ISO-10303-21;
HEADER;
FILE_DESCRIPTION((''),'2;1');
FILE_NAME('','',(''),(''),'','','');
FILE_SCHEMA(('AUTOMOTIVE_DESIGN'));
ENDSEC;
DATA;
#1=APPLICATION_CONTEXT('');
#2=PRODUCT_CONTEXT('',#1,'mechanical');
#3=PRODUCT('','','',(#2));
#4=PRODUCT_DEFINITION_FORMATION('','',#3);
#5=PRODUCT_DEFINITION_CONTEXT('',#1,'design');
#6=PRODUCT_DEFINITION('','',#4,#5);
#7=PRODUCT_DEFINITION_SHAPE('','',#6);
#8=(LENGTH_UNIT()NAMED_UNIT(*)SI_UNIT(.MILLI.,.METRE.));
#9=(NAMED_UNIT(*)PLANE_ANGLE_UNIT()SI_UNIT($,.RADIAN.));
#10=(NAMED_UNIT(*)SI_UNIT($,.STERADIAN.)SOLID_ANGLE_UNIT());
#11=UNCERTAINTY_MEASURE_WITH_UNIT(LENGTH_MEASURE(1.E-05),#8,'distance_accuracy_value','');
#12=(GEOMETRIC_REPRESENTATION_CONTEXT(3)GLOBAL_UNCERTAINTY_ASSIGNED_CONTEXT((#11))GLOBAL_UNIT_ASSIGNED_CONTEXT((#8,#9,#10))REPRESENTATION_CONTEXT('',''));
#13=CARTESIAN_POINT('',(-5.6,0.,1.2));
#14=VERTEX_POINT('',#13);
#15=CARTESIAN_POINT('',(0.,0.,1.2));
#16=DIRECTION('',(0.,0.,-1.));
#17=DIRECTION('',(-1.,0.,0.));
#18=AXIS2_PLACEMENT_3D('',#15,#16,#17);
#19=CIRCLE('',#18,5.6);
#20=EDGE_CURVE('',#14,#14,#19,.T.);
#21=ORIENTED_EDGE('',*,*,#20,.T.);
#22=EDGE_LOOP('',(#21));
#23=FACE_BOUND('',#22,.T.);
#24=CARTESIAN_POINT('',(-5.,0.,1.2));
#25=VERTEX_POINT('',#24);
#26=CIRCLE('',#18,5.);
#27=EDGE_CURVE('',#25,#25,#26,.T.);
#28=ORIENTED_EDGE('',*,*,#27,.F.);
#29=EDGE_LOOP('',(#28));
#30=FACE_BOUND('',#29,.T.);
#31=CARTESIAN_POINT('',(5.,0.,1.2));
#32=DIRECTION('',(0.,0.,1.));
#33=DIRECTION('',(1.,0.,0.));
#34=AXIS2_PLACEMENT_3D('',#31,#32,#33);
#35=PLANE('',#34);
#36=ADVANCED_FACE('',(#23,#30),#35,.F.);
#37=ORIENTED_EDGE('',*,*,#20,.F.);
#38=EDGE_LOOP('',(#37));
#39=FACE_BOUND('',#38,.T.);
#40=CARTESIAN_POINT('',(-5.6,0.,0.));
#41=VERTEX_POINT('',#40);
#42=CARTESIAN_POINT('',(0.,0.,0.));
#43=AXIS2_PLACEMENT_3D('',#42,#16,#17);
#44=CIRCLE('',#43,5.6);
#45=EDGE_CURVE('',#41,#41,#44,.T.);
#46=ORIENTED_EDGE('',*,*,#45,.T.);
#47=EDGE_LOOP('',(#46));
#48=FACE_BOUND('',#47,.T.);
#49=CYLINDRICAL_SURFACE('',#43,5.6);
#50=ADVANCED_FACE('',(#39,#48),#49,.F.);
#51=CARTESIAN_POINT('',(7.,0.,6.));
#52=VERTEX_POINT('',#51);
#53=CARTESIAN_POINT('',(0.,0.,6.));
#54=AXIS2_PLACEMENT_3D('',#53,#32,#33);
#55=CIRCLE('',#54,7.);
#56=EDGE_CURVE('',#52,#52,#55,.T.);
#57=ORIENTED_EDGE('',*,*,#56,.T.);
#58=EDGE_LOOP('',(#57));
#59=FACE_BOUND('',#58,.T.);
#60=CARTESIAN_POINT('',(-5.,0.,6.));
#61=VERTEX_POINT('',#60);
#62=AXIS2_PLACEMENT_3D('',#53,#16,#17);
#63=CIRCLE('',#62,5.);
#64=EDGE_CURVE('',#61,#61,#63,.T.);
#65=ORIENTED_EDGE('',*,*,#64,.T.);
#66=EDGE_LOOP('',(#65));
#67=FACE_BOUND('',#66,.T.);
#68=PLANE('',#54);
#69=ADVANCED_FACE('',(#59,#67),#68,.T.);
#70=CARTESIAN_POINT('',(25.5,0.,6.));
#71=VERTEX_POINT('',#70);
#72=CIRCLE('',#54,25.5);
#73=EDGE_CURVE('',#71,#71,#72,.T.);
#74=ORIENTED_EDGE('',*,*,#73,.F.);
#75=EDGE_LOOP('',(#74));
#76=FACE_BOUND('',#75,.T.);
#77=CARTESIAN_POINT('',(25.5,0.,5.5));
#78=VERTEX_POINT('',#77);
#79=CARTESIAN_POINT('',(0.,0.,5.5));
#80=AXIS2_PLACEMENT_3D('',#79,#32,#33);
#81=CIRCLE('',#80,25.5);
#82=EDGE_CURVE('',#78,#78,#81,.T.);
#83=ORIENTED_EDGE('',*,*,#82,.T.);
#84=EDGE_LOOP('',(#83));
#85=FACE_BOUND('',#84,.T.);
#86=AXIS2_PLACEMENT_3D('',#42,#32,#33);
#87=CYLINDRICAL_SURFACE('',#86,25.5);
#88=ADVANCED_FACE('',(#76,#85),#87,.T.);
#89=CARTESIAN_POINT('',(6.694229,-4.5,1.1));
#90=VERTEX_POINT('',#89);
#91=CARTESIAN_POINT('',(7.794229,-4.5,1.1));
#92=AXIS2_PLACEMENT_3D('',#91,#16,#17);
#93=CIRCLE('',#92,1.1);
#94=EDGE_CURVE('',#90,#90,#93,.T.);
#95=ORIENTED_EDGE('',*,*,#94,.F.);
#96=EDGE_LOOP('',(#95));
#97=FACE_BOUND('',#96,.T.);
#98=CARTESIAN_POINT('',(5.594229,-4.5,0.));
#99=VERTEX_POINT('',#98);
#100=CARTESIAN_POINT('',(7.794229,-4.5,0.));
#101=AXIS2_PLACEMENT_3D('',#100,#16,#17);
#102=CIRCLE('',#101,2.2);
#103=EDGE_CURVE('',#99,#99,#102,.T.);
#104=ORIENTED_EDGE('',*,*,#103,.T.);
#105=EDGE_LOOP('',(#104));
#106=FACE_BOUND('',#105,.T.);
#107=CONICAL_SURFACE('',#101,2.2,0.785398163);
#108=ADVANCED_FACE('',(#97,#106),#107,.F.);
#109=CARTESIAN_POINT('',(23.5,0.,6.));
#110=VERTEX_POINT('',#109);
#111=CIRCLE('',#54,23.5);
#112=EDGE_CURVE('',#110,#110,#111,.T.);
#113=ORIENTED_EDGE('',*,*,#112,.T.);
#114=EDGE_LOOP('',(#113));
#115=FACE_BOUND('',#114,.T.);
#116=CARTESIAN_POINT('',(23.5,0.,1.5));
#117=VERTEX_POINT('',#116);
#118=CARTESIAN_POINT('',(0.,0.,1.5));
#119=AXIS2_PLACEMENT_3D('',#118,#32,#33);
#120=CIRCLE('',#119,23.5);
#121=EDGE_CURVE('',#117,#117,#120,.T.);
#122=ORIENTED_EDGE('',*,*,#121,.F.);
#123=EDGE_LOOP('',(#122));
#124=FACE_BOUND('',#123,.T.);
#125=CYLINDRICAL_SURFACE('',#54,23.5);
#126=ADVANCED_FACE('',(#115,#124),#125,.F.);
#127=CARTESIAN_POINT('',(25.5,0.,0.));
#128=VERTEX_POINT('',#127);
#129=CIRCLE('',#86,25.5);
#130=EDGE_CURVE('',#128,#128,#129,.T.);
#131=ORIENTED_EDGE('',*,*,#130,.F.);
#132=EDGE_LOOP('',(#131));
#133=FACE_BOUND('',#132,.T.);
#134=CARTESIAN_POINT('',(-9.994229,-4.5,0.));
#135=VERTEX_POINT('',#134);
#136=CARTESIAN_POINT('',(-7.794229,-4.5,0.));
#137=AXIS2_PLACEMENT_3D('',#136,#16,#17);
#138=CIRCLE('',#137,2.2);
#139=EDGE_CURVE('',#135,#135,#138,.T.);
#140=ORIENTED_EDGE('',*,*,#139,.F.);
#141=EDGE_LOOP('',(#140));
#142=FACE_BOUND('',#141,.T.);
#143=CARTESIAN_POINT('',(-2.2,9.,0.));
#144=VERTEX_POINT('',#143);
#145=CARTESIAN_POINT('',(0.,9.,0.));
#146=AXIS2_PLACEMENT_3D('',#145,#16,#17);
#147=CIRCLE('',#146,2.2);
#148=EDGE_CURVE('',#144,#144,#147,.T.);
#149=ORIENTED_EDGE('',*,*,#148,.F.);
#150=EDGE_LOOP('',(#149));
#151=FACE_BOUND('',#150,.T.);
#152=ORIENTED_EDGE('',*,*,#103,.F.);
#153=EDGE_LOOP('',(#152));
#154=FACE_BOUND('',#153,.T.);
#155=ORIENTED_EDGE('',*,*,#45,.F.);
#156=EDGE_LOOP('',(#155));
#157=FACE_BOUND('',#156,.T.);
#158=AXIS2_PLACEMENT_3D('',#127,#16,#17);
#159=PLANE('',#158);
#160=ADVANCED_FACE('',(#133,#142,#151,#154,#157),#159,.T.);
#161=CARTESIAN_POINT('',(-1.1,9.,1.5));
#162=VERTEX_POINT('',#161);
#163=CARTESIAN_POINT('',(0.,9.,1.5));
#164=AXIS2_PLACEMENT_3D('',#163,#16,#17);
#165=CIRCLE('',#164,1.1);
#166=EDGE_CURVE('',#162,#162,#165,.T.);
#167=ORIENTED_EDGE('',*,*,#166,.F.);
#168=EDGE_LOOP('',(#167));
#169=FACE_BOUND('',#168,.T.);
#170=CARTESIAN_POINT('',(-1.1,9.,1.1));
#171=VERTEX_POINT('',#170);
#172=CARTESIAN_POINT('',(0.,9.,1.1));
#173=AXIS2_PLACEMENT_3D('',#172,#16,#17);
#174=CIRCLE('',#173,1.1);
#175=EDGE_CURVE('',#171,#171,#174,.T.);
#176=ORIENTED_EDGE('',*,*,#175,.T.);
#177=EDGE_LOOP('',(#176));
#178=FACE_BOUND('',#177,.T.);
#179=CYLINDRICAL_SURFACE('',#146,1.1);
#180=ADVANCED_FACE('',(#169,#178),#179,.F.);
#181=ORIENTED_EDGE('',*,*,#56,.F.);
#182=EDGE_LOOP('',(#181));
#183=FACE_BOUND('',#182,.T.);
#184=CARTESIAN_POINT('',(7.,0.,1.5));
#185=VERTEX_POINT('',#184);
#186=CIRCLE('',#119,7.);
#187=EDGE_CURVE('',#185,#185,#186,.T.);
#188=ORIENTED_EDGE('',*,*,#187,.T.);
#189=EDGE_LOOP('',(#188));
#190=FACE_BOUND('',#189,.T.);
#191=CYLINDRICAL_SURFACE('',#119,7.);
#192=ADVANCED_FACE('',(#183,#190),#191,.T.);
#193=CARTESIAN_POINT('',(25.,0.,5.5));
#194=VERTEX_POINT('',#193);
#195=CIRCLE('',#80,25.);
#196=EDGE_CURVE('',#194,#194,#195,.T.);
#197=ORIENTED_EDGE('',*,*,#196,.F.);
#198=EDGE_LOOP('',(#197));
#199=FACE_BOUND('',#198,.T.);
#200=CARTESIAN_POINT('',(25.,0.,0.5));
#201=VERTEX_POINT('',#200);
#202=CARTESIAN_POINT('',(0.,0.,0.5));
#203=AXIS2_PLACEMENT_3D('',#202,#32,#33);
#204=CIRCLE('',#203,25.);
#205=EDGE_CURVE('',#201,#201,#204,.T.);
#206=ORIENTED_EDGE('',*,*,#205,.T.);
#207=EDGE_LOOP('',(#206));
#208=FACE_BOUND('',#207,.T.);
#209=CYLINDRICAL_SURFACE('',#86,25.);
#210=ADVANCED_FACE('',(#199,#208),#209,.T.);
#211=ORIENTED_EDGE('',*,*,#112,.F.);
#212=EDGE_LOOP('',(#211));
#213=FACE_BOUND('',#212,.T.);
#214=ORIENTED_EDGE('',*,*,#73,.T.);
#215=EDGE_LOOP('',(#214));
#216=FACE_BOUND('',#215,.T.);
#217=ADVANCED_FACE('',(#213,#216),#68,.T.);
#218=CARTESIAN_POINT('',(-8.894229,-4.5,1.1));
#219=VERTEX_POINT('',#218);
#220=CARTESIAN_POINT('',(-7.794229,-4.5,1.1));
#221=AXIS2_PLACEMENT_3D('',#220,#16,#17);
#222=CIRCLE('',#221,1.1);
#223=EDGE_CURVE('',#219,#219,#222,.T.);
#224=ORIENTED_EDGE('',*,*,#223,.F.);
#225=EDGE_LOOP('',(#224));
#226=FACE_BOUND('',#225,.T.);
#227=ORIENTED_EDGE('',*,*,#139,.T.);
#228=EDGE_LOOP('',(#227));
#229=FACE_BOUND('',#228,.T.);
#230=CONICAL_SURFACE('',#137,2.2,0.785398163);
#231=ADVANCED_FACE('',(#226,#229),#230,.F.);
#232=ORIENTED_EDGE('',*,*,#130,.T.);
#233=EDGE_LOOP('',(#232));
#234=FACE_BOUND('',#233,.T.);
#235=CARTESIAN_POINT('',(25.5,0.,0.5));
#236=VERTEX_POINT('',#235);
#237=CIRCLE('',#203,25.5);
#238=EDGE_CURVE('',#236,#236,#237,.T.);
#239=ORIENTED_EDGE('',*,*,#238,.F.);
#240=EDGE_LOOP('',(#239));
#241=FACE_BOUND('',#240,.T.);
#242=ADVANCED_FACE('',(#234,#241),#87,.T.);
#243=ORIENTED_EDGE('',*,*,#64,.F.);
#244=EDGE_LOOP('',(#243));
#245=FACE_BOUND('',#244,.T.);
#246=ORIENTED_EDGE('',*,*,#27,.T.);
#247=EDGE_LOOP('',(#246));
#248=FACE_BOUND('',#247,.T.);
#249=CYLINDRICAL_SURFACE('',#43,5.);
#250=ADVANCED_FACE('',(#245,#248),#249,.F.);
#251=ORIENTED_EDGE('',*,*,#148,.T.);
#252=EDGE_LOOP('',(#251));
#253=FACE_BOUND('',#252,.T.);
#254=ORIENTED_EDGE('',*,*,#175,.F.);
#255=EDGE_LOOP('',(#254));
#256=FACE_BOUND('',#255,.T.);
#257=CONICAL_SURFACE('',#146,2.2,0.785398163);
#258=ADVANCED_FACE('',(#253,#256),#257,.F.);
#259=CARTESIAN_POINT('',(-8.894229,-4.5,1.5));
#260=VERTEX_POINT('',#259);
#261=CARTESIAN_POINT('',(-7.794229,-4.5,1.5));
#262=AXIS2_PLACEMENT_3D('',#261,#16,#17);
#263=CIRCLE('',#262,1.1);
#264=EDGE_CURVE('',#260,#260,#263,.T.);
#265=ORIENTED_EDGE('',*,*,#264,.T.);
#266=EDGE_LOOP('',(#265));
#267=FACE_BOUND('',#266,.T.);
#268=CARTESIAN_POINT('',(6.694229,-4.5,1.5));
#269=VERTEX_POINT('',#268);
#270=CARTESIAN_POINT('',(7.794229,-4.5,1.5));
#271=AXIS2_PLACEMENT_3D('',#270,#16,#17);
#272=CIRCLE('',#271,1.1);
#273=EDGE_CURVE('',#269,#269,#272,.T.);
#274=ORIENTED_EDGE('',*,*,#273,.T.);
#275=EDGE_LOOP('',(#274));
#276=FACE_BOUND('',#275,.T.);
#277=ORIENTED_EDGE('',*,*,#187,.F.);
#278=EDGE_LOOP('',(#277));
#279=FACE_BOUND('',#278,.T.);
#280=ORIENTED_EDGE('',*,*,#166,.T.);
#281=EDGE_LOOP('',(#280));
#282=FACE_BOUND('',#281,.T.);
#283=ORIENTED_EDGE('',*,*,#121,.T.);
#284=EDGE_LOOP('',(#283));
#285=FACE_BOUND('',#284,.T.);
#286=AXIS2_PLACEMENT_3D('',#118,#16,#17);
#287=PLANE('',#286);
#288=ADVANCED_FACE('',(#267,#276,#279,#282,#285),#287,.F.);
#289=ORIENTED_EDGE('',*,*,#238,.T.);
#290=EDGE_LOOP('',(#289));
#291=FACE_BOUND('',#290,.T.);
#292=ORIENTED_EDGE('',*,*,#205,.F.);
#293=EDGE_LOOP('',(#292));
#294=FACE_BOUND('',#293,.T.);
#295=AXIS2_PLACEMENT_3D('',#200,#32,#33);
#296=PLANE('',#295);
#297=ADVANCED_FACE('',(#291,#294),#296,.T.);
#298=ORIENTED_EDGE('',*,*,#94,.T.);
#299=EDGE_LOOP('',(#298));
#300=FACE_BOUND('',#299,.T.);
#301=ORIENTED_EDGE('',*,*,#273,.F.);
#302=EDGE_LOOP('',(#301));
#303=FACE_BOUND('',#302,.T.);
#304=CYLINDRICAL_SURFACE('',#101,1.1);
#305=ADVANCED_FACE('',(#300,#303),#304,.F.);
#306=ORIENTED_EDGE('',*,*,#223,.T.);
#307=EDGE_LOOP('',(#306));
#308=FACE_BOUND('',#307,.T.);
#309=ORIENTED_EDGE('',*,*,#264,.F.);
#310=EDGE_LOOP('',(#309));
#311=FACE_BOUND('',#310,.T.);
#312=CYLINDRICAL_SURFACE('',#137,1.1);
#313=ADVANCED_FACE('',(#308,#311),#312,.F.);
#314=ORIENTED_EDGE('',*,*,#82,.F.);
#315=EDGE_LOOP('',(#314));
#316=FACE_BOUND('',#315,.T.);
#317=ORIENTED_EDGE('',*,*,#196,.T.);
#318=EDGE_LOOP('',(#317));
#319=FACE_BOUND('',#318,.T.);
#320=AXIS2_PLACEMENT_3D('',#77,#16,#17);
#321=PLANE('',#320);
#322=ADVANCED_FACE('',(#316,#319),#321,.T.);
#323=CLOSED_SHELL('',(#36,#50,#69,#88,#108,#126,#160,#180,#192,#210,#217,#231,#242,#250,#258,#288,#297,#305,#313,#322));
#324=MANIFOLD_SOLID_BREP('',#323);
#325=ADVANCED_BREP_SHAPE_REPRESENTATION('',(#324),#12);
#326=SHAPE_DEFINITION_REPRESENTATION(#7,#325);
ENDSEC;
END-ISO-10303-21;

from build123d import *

# Parameters (mm, degrees)
M42_CLEARANCE_HOLE1_D                           = 47
M42_CLEARANCE_HOLE1_DEPTH                       = 4.5
SKETCH4_W                                       = 7
SKETCH4_H                                       = 4.5
CSK_FOR_M2_FLAT_HEAD_MACHINE_SCREW1_D           = 2.2
CSK_FOR_M2_FLAT_HEAD_MACHINE_SCREW1_DEPTH       = 6
CSK_FOR_M2_FLAT_HEAD_MACHINE_SCREW1_CSINK_D     = 4.4
CSK_FOR_M2_FLAT_HEAD_MACHINE_SCREW1_CSINK_ANGLE = 90
CBORE_FOR_M8_HEX_HEAD_BOLT1_D                   = 10
CBORE_FOR_M8_HEX_HEAD_BOLT1_DEPTH               = 6
CBORE_FOR_M8_HEX_HEAD_BOLT1_CBORE_D             = 11.2
CBORE_FOR_M8_HEX_HEAD_BOLT1_CBORE_DEPTH         = 1.2


with BuildPart() as part:
    # Sketch1 → Revolve1 (revolve)
    with BuildSketch(Plane(origin=(0, 0, 0), x_dir=(1, 0, 0), z_dir=(0, 1, 0))):
        Polygon((25.5, 0), (0, 0), (0, -6), (25.5, -6), (25.5, -5.5), (25, -5.5), (25, -0.5), (25.5, -0.5), align=None)
    revolve(axis=Axis((0, 0, 0), (0, 0, 1)))

    # M42 Clearance Hole1
    with Locations(Plane.XY.offset(6)):
        with Locations((0, 0)):
            Hole(M42_CLEARANCE_HOLE1_D / 2, depth=M42_CLEARANCE_HOLE1_DEPTH)

    # Sketch4 → Revolve2 (revolve)
    with BuildSketch(Plane(origin=(0, 0, 0), x_dir=(1, 0, 0), z_dir=(0, 1, 0))):
        with Locations((3.5, -3.75)):
            Rectangle(SKETCH4_W, SKETCH4_H)
    revolve(axis=Axis((0, 0, 1.5), (0, 0, 1)))

    # CSK for M2 Flat Head Machine Screw1
    with Locations(Plane(origin=(0, 0, 0), x_dir=(-1, 0, 0), z_dir=(0, 0, -1))):
        with Locations((-7.794228634, -4.5), (7.794228634, -4.5), (0, 9)):
            CounterSinkHole(CSK_FOR_M2_FLAT_HEAD_MACHINE_SCREW1_D / 2, CSK_FOR_M2_FLAT_HEAD_MACHINE_SCREW1_CSINK_D / 2, depth=CSK_FOR_M2_FLAT_HEAD_MACHINE_SCREW1_DEPTH, counter_sink_angle=CSK_FOR_M2_FLAT_HEAD_MACHINE_SCREW1_CSINK_ANGLE)

    # CBORE for M8 Hex Head Bolt1
    with Locations(Plane(origin=(0, 0, 0), x_dir=(-1, 0, 0), z_dir=(0, 0, -1))):
        with Locations((0, 0)):
            CounterBoreHole(CBORE_FOR_M8_HEX_HEAD_BOLT1_D / 2, CBORE_FOR_M8_HEX_HEAD_BOLT1_CBORE_D / 2, CBORE_FOR_M8_HEX_HEAD_BOLT1_CBORE_DEPTH, depth=CBORE_FOR_M8_HEX_HEAD_BOLT1_DEPTH)


solid = part.part
